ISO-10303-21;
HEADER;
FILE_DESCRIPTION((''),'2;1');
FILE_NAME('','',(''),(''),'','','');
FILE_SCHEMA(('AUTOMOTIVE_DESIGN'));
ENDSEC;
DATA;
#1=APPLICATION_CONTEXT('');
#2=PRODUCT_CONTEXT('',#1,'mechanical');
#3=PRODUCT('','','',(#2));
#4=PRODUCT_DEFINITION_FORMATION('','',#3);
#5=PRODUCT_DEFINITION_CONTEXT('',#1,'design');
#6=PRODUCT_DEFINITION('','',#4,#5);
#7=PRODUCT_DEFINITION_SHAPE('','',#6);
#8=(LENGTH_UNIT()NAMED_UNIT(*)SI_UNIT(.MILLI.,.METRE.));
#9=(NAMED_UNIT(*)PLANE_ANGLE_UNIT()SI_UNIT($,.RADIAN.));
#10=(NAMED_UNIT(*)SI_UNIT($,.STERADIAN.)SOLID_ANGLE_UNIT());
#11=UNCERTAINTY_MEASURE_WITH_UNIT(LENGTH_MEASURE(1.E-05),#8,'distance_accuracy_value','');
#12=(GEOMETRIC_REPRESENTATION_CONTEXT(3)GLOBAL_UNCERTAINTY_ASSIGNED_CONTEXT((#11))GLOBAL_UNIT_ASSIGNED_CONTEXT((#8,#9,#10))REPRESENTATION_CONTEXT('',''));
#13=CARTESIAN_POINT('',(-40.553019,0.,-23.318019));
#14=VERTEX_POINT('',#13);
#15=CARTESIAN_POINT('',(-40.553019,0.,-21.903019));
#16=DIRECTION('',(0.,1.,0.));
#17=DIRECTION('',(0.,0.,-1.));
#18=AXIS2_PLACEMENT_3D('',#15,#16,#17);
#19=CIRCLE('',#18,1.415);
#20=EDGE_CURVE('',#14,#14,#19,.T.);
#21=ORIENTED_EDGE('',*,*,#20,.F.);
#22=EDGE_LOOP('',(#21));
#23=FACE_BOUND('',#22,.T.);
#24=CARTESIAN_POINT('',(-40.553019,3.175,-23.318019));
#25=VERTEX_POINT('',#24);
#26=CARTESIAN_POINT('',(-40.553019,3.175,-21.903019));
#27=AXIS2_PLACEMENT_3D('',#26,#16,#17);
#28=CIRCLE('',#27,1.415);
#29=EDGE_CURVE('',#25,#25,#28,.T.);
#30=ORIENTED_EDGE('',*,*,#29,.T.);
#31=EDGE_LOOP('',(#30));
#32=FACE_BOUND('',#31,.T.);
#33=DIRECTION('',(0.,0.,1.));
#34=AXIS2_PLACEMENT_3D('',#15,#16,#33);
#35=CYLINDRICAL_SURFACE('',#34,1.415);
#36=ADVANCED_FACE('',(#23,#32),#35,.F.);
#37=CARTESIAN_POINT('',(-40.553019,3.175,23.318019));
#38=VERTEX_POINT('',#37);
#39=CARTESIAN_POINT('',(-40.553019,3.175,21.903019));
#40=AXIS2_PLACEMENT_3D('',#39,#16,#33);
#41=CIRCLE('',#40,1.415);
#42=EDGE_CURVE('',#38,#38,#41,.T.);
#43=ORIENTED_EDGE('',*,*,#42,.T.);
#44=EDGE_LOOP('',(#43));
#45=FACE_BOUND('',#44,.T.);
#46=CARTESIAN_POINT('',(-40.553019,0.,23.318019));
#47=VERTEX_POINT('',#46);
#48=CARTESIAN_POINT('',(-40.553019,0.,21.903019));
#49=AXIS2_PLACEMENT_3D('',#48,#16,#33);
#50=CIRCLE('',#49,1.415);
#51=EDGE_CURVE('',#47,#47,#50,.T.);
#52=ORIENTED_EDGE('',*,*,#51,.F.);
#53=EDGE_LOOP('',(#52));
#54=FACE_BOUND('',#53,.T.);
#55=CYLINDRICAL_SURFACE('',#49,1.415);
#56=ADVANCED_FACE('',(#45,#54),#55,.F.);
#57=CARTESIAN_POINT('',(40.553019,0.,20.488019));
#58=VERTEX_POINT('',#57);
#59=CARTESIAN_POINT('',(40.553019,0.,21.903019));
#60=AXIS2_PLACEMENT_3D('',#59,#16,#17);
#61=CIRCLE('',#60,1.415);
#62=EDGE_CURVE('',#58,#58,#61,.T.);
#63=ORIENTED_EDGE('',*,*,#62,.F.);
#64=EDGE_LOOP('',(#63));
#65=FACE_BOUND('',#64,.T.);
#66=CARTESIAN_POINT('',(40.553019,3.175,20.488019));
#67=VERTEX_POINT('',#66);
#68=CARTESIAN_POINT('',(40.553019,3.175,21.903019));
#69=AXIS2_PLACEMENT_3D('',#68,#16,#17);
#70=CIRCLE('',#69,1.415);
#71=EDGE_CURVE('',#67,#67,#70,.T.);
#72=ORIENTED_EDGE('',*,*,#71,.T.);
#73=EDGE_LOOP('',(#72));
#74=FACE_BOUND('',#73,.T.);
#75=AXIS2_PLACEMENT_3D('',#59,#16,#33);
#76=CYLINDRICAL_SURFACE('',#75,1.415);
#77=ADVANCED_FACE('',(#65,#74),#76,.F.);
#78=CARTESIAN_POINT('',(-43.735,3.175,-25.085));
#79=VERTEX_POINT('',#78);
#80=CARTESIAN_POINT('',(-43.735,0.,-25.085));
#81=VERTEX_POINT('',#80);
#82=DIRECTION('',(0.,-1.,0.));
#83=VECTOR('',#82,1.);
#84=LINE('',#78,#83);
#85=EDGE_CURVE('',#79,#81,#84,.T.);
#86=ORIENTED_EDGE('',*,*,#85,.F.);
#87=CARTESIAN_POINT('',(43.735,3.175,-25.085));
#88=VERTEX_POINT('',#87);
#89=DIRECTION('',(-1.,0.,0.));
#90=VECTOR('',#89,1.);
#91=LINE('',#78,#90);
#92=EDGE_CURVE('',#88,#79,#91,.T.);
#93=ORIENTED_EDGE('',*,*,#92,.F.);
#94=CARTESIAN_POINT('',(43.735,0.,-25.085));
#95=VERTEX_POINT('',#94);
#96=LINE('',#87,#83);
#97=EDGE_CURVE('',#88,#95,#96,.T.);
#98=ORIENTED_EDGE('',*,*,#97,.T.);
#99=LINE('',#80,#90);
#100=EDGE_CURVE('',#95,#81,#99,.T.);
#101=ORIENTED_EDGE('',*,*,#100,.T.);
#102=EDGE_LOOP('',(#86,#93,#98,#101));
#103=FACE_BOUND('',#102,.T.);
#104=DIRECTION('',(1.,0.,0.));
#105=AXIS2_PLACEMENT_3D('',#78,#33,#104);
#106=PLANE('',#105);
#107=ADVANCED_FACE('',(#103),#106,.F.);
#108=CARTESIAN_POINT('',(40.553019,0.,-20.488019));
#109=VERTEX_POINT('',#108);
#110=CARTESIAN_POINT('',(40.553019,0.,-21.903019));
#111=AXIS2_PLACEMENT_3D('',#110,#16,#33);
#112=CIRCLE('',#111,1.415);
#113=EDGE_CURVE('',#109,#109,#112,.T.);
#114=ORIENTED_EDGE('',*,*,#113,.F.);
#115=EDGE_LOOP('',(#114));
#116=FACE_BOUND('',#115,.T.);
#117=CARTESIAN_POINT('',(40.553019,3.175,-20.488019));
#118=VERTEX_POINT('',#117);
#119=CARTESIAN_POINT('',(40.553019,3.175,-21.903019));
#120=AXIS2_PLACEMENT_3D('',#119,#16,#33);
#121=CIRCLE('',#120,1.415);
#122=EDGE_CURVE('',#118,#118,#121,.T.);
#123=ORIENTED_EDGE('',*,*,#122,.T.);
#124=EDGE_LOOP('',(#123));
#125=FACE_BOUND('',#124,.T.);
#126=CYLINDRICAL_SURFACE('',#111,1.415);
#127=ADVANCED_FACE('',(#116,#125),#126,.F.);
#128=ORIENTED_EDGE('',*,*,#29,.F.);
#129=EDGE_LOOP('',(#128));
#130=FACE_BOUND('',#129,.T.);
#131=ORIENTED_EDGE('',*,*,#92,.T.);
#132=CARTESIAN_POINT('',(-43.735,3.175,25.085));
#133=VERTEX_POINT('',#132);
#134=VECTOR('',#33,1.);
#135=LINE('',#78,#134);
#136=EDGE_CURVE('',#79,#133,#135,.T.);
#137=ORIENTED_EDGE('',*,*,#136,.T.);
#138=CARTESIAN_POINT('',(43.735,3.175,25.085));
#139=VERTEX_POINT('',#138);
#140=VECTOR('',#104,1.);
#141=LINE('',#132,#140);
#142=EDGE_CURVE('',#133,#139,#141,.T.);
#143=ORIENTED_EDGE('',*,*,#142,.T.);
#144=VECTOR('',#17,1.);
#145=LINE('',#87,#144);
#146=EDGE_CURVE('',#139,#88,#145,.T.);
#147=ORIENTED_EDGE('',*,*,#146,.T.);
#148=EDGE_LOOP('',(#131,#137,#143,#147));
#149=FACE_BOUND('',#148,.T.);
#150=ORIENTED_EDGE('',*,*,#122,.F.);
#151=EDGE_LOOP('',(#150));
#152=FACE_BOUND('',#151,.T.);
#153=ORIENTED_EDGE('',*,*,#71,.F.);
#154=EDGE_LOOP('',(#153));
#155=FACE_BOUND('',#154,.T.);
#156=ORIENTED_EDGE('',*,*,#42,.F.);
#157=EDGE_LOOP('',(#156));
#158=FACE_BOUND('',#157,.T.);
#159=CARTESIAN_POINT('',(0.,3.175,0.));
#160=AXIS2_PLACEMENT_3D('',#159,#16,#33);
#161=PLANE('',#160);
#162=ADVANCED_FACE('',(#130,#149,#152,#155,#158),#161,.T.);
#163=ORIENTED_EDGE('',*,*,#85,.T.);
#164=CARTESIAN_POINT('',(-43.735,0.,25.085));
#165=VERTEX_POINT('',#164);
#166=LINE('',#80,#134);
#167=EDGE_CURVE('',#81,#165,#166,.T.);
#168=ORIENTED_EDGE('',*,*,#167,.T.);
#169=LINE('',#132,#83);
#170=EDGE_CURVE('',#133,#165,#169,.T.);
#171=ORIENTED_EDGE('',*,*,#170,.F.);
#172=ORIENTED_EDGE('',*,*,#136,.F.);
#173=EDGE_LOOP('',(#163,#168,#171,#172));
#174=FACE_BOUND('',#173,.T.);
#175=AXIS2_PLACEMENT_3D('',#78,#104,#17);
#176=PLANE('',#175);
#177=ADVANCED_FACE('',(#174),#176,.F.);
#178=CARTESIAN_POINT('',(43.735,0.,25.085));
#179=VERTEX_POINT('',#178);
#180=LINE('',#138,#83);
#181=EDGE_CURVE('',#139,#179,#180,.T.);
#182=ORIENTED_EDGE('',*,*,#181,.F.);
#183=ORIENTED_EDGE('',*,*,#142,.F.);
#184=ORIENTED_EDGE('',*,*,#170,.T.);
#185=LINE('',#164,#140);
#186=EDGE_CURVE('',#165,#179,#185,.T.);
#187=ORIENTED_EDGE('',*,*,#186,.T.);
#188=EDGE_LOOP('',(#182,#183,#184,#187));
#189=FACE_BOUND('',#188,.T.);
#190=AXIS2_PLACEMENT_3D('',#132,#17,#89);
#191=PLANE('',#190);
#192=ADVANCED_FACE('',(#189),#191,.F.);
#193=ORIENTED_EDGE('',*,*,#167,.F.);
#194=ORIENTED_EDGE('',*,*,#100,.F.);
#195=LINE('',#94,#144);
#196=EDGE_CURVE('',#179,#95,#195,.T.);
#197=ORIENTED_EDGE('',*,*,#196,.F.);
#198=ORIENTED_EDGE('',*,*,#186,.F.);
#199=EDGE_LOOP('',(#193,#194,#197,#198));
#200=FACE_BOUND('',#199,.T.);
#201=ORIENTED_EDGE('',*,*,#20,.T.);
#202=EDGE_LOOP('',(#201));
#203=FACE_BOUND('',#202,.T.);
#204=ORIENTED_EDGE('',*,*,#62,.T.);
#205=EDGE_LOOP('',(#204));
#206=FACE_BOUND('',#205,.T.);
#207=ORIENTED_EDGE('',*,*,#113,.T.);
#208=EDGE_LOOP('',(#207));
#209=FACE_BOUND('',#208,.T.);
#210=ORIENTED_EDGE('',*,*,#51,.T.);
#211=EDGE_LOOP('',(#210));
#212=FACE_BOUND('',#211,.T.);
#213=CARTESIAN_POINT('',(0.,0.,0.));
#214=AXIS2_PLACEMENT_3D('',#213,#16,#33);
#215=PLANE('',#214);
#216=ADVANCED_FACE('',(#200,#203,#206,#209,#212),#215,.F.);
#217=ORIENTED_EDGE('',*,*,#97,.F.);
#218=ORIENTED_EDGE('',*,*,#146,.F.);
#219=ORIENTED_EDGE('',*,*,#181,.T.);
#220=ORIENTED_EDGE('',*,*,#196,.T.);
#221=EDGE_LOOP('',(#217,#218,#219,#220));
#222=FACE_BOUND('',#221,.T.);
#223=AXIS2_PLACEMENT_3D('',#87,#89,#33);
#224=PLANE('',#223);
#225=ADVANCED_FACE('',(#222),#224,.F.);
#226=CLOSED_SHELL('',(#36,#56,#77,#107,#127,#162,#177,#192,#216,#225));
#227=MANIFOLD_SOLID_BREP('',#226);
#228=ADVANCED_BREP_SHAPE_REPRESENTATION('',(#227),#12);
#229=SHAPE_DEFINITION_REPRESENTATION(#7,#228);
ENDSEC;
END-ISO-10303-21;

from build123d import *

# Parameters (mm, degrees)
SKETCH1_W           = 87.47
SKETCH1_H           = 50.17
BOSS_EXTRUDE1_DEPTH = 3.175
SKETCH2_R           = 1.415
CUT_EXTRUDE1_DEPTH  = 4.175


with BuildPart() as part:
    # Sketch1 → Boss-Extrude1 (new body)
    with BuildSketch(Plane(origin=(0, 0, 0), x_dir=(1, 0, 0), z_dir=(0, 1, 0))):
        Rectangle(SKETCH1_W, SKETCH1_H)
    extrude(amount=BOSS_EXTRUDE1_DEPTH)

    # Sketch2 → Cut-Extrude1 (cut, through all)
    with BuildSketch(Plane(origin=(0, 3.175, 0), x_dir=(1, 0, 0), z_dir=(0, 1, 0))):
        with Locations((-40.553019485, -21.903019485)):
            Circle(SKETCH2_R)
        with Locations((40.553019485, -21.903019485)):
            Circle(SKETCH2_R)
        with Locations((40.553019485, 21.903019485)):
            Circle(SKETCH2_R)
        with Locations((-40.553019485, 21.903019485)):
            Circle(SKETCH2_R)
    extrude(amount=-CUT_EXTRUDE1_DEPTH, mode=Mode.SUBTRACT)


solid = part.part
